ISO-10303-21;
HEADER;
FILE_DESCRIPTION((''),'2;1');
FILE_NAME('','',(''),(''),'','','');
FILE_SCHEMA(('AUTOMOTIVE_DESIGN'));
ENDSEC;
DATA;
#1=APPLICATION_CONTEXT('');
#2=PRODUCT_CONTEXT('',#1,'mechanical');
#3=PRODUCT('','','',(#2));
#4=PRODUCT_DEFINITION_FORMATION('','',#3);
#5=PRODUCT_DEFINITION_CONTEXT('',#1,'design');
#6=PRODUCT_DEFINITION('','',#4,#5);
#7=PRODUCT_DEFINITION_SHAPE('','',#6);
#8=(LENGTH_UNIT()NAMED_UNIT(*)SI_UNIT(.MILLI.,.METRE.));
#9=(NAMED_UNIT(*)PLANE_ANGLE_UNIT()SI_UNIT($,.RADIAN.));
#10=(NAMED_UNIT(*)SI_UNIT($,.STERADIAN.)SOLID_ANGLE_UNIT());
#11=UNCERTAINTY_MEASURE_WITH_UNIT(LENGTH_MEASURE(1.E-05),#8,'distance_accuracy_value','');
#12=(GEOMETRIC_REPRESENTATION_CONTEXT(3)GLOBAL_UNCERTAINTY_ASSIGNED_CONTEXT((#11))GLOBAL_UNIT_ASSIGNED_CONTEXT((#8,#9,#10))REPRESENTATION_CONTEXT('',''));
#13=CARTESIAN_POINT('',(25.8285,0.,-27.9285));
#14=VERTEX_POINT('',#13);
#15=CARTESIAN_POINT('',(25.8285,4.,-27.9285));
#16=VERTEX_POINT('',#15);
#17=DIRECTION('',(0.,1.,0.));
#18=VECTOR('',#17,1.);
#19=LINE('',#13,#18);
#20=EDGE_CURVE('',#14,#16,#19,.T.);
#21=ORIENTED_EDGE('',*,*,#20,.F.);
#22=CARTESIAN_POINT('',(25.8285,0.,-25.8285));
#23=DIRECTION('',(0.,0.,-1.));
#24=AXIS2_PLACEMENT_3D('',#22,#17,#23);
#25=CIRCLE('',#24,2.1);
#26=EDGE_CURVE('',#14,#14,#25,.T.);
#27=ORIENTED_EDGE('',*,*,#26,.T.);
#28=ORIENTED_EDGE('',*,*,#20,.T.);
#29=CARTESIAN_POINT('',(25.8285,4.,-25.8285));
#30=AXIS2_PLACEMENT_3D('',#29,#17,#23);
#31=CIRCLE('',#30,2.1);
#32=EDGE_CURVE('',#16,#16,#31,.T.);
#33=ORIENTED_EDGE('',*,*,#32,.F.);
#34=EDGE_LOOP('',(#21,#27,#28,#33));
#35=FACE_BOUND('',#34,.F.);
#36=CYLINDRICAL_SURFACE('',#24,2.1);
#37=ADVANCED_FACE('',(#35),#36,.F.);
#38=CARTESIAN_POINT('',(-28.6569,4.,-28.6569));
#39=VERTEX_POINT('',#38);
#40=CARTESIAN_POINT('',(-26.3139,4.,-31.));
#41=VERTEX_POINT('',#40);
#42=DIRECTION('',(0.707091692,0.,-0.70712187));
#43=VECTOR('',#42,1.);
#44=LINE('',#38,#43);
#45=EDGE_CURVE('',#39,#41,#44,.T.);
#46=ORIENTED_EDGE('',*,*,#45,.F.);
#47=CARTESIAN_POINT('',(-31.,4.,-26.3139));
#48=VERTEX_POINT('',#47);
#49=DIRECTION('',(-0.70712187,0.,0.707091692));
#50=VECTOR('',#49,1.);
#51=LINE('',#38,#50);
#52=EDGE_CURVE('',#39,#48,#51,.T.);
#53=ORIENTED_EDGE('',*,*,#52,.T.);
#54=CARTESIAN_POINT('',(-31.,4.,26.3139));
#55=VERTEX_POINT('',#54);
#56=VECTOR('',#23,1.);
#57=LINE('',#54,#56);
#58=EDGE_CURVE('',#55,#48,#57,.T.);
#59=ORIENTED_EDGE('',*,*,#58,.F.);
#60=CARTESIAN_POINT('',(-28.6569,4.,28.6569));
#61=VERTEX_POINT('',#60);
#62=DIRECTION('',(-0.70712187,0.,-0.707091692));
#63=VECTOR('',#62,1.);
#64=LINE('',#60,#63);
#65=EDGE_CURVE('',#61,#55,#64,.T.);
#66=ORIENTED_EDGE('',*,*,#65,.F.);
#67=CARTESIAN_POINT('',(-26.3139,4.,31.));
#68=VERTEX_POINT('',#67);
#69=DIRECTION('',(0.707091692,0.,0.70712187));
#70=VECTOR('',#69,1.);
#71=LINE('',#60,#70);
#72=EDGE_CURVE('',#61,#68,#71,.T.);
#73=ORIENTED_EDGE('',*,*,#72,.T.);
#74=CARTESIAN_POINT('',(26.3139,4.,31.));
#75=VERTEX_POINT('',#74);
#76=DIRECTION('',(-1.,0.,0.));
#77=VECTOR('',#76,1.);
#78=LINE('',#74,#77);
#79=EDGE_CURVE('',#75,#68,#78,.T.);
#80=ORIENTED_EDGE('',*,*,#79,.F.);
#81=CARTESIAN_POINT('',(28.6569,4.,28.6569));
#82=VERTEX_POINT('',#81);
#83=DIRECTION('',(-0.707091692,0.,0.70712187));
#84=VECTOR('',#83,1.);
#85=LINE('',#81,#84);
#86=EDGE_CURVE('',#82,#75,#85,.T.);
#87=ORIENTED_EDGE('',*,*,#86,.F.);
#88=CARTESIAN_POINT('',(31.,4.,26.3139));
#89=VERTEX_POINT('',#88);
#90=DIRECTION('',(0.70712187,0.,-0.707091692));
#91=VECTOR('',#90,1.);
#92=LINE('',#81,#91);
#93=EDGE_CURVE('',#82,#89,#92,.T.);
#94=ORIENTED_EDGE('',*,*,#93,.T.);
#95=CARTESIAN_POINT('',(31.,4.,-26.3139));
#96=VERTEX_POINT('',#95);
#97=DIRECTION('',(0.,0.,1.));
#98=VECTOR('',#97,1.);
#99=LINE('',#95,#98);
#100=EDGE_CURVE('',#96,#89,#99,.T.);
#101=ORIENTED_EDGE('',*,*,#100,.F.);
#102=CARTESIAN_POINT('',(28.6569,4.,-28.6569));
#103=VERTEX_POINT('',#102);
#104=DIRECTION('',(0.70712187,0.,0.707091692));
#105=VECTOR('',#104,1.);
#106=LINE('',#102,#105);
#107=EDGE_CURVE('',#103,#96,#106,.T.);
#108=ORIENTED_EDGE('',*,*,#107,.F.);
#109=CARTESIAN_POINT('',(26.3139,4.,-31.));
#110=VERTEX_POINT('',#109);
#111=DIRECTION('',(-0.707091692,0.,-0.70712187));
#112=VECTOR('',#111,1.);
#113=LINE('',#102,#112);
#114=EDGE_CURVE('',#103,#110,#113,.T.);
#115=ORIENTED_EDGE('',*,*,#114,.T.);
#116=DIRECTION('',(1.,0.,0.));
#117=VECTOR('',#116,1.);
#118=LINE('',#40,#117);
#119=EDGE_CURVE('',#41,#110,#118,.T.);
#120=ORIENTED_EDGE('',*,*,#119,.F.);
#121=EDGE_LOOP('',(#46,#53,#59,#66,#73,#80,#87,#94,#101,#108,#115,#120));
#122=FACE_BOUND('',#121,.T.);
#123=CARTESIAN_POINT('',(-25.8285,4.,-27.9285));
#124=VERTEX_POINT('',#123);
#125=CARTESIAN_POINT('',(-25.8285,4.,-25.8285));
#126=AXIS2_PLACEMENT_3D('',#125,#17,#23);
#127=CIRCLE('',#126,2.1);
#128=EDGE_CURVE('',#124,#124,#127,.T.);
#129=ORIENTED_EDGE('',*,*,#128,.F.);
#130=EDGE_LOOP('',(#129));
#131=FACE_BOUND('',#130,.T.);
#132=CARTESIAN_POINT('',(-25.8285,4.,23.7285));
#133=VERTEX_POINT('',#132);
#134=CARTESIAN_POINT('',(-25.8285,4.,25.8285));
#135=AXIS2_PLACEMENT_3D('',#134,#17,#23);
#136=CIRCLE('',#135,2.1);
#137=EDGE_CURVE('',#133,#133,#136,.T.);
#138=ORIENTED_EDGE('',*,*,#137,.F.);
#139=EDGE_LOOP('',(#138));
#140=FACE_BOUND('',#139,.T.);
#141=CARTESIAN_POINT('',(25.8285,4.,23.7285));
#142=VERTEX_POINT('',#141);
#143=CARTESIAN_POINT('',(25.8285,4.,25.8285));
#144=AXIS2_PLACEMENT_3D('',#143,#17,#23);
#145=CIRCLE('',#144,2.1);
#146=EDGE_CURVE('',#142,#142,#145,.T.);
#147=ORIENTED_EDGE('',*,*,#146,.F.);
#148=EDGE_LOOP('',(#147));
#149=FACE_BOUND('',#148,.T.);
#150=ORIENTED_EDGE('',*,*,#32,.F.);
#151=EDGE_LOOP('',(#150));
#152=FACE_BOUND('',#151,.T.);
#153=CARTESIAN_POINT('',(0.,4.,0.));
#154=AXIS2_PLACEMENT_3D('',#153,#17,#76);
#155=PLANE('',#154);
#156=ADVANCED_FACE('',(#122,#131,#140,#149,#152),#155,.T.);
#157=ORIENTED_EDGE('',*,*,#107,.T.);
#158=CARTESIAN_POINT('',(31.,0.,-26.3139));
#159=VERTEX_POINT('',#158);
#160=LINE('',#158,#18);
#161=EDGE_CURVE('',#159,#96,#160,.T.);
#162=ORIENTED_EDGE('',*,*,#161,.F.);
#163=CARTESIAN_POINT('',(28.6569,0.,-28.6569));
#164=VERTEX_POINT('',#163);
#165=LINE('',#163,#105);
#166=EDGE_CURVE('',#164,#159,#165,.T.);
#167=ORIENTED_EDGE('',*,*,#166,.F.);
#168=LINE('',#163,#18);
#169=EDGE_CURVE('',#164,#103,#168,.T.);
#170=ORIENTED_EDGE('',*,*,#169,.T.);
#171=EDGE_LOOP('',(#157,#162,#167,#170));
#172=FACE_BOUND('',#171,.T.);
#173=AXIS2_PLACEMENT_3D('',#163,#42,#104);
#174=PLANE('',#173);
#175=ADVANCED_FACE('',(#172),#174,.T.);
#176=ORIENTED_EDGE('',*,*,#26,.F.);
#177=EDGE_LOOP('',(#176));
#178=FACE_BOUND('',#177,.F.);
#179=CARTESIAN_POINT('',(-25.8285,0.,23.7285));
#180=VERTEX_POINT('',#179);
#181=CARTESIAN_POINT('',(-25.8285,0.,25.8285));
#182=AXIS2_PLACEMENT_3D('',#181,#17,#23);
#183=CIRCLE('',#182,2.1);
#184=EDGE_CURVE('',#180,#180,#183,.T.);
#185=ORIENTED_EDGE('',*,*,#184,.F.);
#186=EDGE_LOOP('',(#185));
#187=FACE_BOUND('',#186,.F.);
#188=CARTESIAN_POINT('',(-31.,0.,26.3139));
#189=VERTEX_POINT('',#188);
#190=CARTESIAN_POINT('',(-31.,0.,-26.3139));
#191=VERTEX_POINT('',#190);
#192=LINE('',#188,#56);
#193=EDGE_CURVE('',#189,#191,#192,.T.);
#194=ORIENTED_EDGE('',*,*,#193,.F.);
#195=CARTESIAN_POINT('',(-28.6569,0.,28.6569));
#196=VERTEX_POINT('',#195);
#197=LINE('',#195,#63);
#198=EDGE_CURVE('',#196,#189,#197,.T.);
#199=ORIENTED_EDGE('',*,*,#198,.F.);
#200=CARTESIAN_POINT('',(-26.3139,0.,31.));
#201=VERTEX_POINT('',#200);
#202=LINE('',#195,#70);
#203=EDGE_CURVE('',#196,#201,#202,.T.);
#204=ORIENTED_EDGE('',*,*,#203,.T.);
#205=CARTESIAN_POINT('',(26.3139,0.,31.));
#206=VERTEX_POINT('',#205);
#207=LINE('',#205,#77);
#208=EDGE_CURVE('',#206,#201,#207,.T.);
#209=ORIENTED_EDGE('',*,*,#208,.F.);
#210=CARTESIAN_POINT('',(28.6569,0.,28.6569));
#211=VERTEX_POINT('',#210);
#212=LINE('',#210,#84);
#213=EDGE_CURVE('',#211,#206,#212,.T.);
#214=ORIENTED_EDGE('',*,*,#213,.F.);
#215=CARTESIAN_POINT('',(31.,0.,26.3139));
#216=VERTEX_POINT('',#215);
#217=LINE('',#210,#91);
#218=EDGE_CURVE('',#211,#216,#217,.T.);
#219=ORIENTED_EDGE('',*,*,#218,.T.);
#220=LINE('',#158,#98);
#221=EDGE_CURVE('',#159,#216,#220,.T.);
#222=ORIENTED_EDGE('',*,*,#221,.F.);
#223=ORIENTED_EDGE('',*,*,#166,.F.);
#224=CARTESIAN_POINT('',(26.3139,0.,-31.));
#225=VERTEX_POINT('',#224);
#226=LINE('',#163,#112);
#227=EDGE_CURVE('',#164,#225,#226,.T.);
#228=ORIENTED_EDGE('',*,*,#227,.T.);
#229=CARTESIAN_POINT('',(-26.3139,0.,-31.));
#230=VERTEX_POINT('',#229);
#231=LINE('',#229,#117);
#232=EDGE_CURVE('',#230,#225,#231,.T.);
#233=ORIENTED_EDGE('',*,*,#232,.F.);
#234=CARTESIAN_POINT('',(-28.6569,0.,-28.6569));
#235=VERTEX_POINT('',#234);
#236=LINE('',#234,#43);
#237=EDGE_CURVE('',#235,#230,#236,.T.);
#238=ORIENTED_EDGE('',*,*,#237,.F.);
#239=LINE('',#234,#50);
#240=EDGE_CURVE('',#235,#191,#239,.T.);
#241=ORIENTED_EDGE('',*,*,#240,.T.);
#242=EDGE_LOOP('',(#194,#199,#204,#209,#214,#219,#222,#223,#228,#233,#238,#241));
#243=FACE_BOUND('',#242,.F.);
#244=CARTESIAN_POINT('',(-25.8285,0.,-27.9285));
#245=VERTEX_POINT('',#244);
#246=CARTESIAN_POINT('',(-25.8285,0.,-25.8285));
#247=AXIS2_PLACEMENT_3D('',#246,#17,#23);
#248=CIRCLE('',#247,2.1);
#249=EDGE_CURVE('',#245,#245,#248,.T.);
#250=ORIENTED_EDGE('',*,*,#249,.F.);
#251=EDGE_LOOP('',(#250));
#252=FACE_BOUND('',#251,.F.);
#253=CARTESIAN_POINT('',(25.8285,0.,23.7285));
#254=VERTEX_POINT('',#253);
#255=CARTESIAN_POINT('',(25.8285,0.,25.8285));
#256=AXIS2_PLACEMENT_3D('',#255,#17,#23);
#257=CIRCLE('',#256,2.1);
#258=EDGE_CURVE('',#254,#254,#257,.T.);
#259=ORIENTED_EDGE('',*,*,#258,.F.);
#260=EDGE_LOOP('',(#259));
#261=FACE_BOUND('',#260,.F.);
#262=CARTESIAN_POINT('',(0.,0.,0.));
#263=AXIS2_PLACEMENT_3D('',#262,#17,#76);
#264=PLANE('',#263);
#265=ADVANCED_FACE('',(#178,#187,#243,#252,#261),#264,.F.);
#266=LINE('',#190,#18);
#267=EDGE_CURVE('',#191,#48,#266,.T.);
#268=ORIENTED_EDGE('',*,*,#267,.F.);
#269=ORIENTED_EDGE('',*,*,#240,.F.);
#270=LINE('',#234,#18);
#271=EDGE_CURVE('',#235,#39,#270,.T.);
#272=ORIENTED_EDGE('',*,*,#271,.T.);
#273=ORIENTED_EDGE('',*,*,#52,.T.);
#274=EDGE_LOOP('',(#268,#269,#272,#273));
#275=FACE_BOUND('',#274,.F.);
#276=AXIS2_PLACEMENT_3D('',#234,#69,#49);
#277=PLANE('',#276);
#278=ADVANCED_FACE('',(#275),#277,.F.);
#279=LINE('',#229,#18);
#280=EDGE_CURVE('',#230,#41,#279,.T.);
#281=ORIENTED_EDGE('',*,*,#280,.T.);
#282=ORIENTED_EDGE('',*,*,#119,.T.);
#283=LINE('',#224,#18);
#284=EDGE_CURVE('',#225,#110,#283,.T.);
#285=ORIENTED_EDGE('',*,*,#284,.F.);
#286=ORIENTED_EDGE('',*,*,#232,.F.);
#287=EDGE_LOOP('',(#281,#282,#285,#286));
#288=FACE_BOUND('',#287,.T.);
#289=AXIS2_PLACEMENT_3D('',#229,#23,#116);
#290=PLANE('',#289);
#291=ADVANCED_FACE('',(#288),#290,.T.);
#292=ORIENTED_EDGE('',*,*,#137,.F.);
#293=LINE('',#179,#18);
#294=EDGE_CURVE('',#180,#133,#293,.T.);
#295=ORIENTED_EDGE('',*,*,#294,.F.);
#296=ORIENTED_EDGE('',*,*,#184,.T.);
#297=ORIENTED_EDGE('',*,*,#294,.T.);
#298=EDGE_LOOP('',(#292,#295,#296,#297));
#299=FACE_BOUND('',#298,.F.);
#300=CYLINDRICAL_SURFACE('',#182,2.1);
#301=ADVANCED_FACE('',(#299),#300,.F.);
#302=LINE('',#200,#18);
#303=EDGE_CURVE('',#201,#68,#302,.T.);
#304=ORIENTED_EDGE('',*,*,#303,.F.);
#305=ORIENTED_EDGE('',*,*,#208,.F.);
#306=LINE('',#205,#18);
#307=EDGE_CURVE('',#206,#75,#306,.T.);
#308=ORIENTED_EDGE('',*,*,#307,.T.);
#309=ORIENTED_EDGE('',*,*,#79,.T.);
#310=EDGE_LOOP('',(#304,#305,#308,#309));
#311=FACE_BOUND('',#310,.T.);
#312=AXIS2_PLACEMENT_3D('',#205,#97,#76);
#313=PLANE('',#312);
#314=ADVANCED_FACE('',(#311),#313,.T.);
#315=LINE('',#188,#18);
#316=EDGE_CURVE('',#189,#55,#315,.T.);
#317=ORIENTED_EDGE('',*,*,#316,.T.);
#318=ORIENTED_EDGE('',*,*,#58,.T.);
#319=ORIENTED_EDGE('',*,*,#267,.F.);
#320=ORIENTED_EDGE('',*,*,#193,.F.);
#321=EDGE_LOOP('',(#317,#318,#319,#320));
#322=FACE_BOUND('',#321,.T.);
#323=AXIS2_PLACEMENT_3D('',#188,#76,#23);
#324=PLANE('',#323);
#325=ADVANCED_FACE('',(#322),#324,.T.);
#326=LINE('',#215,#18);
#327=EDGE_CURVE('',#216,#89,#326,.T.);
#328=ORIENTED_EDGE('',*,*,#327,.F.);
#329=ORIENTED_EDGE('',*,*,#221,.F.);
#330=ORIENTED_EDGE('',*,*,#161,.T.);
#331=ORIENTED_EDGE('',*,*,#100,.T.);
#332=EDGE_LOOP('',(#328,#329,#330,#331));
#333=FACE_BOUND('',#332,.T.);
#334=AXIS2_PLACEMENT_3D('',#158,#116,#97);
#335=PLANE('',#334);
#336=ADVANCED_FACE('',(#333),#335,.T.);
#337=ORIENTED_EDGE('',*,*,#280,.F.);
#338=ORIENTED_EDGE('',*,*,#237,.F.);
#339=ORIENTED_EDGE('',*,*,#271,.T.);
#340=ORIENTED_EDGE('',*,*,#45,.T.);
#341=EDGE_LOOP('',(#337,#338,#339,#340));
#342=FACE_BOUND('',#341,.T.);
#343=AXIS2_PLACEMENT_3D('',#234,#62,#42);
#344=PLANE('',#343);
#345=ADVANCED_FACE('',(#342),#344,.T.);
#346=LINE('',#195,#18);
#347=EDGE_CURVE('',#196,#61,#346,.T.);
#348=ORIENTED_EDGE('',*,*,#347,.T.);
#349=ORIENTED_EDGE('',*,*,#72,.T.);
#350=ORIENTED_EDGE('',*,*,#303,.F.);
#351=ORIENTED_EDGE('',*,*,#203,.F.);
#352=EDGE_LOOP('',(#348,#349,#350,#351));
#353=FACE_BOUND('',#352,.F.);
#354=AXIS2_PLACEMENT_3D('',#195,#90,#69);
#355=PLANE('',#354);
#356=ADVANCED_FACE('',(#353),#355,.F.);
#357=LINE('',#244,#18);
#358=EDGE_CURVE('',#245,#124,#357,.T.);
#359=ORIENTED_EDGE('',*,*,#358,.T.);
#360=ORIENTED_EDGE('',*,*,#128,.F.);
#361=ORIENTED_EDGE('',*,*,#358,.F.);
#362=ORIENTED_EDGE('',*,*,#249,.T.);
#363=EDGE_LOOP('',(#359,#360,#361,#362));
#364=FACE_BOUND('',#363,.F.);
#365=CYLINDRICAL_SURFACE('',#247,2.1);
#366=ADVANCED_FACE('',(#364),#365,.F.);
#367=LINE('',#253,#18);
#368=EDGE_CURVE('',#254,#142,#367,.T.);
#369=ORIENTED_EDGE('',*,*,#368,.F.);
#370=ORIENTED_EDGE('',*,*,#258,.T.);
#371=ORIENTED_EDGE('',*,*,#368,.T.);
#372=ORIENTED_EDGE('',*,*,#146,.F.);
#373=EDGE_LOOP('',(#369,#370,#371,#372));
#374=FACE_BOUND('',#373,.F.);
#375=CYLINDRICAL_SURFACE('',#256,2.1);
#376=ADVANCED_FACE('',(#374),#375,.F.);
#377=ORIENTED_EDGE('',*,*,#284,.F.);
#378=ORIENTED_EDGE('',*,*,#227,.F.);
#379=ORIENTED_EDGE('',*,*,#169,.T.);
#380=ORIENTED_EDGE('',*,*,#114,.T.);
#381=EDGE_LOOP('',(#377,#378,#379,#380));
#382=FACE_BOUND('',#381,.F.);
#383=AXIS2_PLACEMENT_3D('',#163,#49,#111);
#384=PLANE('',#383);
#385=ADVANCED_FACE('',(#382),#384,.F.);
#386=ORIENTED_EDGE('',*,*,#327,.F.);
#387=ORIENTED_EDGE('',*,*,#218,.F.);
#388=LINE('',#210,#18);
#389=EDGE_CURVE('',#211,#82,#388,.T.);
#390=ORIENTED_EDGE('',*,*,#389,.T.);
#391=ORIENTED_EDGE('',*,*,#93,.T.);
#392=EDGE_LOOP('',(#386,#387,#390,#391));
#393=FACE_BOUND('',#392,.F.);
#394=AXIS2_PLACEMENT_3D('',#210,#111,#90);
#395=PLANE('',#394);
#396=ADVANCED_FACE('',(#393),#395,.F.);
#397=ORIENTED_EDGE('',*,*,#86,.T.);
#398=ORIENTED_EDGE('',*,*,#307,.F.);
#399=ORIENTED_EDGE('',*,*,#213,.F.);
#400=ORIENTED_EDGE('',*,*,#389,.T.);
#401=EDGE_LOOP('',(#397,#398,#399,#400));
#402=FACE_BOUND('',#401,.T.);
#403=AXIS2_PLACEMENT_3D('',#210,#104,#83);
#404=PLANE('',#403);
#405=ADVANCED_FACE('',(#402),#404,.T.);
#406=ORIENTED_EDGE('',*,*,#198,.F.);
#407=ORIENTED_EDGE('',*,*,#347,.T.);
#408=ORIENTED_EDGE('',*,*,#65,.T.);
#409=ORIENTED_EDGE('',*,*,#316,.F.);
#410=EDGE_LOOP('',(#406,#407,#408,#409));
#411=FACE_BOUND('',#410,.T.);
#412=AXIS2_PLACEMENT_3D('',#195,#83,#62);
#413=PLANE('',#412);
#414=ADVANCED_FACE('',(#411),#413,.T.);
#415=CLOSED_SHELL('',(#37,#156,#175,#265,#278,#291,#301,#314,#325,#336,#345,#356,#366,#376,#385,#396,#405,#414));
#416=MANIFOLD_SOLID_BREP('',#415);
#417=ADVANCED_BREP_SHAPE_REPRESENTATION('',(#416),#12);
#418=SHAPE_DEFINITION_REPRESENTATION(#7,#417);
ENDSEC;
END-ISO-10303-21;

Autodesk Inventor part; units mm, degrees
ref_plane "YZ Plane" through (0, 0, 0) normal (1, 0, 0) x (0, 1, 0)
ref_plane "XZ Plane" through (0, 0, 0) normal (0, 1, 0) x (-1, 0, 0)
ref_plane "XY Plane" through (0, 0, 0) normal (0, 0, 1) x (1, 0, 0)
sketch "Sketch1" plane through (0, 0, 0) normal (0, 1, 0) x (-1, 0, 0)
  line L0 (25.8285, 25.8285) -> (-25.8285, 25.8285) construction
  line L1 (-25.8285, 25.8285) -> (-25.8285, -25.8285) construction
  line L2 (-25.8285, -25.8285) -> (25.8285, -25.8285) construction
  line L3 (25.8285, -25.8285) -> (25.8285, 25.8285) construction
  line L4 (25.8285, 25.8285) -> (-25.8285, -25.8285) construction
  line L5 (-25.8285, 25.8285) -> (25.8285, -25.8285) construction
  line L6 (31, 26.3139) -> (31, -26.3139)
  line L7 (25.8285, -25.8285) -> (28.6569, -28.6569) construction
  line L8 (28.6569, -28.6569) -> (31, -26.3139)
  line L9 (0, 0) -> (14.4135, 0) construction
  line L10 (25.8285, 25.8285) -> (28.6569, 28.6569) construction
  line L11 (28.6569, 28.6569) -> (31, 26.3139)
  line L12 (-26.3139, 31) -> (26.3139, 31)
  line L13 (28.6569, 28.6569) -> (26.3139, 31)
  line L14 (-28.6569, 28.6569) -> (-26.3139, 31)
  line L15 (-31, -26.3139) -> (-31, 26.3139)
  line L16 (-28.6569, 28.6569) -> (-31, 26.3139)
  line L17 (-28.6569, -28.6569) -> (-31, -26.3139)
  line L18 (26.3139, -31) -> (-26.3139, -31)
  line L19 (-28.6569, -28.6569) -> (-26.3139, -31)
  line L20 (28.6569, -28.6569) -> (26.3139, -31)
  dimension "d0" = 51.657
  dimension "d1" = 51.657
  dimension "d4" = 31
  dimension "d5" = 4
  dimension "d8" = 360
extrude "Extrusion1" add sketch "Sketch1" along normal blind 4
hole "Hole1" at (-25.8285, 0, 25.8285) at (-25.8285, 0, -25.8285) at (25.8285, 0, 25.8285) at (25.8285, 0, -25.8285) direction (0, 1, 0) diameter 4.2 end through all
properties part number "top"
